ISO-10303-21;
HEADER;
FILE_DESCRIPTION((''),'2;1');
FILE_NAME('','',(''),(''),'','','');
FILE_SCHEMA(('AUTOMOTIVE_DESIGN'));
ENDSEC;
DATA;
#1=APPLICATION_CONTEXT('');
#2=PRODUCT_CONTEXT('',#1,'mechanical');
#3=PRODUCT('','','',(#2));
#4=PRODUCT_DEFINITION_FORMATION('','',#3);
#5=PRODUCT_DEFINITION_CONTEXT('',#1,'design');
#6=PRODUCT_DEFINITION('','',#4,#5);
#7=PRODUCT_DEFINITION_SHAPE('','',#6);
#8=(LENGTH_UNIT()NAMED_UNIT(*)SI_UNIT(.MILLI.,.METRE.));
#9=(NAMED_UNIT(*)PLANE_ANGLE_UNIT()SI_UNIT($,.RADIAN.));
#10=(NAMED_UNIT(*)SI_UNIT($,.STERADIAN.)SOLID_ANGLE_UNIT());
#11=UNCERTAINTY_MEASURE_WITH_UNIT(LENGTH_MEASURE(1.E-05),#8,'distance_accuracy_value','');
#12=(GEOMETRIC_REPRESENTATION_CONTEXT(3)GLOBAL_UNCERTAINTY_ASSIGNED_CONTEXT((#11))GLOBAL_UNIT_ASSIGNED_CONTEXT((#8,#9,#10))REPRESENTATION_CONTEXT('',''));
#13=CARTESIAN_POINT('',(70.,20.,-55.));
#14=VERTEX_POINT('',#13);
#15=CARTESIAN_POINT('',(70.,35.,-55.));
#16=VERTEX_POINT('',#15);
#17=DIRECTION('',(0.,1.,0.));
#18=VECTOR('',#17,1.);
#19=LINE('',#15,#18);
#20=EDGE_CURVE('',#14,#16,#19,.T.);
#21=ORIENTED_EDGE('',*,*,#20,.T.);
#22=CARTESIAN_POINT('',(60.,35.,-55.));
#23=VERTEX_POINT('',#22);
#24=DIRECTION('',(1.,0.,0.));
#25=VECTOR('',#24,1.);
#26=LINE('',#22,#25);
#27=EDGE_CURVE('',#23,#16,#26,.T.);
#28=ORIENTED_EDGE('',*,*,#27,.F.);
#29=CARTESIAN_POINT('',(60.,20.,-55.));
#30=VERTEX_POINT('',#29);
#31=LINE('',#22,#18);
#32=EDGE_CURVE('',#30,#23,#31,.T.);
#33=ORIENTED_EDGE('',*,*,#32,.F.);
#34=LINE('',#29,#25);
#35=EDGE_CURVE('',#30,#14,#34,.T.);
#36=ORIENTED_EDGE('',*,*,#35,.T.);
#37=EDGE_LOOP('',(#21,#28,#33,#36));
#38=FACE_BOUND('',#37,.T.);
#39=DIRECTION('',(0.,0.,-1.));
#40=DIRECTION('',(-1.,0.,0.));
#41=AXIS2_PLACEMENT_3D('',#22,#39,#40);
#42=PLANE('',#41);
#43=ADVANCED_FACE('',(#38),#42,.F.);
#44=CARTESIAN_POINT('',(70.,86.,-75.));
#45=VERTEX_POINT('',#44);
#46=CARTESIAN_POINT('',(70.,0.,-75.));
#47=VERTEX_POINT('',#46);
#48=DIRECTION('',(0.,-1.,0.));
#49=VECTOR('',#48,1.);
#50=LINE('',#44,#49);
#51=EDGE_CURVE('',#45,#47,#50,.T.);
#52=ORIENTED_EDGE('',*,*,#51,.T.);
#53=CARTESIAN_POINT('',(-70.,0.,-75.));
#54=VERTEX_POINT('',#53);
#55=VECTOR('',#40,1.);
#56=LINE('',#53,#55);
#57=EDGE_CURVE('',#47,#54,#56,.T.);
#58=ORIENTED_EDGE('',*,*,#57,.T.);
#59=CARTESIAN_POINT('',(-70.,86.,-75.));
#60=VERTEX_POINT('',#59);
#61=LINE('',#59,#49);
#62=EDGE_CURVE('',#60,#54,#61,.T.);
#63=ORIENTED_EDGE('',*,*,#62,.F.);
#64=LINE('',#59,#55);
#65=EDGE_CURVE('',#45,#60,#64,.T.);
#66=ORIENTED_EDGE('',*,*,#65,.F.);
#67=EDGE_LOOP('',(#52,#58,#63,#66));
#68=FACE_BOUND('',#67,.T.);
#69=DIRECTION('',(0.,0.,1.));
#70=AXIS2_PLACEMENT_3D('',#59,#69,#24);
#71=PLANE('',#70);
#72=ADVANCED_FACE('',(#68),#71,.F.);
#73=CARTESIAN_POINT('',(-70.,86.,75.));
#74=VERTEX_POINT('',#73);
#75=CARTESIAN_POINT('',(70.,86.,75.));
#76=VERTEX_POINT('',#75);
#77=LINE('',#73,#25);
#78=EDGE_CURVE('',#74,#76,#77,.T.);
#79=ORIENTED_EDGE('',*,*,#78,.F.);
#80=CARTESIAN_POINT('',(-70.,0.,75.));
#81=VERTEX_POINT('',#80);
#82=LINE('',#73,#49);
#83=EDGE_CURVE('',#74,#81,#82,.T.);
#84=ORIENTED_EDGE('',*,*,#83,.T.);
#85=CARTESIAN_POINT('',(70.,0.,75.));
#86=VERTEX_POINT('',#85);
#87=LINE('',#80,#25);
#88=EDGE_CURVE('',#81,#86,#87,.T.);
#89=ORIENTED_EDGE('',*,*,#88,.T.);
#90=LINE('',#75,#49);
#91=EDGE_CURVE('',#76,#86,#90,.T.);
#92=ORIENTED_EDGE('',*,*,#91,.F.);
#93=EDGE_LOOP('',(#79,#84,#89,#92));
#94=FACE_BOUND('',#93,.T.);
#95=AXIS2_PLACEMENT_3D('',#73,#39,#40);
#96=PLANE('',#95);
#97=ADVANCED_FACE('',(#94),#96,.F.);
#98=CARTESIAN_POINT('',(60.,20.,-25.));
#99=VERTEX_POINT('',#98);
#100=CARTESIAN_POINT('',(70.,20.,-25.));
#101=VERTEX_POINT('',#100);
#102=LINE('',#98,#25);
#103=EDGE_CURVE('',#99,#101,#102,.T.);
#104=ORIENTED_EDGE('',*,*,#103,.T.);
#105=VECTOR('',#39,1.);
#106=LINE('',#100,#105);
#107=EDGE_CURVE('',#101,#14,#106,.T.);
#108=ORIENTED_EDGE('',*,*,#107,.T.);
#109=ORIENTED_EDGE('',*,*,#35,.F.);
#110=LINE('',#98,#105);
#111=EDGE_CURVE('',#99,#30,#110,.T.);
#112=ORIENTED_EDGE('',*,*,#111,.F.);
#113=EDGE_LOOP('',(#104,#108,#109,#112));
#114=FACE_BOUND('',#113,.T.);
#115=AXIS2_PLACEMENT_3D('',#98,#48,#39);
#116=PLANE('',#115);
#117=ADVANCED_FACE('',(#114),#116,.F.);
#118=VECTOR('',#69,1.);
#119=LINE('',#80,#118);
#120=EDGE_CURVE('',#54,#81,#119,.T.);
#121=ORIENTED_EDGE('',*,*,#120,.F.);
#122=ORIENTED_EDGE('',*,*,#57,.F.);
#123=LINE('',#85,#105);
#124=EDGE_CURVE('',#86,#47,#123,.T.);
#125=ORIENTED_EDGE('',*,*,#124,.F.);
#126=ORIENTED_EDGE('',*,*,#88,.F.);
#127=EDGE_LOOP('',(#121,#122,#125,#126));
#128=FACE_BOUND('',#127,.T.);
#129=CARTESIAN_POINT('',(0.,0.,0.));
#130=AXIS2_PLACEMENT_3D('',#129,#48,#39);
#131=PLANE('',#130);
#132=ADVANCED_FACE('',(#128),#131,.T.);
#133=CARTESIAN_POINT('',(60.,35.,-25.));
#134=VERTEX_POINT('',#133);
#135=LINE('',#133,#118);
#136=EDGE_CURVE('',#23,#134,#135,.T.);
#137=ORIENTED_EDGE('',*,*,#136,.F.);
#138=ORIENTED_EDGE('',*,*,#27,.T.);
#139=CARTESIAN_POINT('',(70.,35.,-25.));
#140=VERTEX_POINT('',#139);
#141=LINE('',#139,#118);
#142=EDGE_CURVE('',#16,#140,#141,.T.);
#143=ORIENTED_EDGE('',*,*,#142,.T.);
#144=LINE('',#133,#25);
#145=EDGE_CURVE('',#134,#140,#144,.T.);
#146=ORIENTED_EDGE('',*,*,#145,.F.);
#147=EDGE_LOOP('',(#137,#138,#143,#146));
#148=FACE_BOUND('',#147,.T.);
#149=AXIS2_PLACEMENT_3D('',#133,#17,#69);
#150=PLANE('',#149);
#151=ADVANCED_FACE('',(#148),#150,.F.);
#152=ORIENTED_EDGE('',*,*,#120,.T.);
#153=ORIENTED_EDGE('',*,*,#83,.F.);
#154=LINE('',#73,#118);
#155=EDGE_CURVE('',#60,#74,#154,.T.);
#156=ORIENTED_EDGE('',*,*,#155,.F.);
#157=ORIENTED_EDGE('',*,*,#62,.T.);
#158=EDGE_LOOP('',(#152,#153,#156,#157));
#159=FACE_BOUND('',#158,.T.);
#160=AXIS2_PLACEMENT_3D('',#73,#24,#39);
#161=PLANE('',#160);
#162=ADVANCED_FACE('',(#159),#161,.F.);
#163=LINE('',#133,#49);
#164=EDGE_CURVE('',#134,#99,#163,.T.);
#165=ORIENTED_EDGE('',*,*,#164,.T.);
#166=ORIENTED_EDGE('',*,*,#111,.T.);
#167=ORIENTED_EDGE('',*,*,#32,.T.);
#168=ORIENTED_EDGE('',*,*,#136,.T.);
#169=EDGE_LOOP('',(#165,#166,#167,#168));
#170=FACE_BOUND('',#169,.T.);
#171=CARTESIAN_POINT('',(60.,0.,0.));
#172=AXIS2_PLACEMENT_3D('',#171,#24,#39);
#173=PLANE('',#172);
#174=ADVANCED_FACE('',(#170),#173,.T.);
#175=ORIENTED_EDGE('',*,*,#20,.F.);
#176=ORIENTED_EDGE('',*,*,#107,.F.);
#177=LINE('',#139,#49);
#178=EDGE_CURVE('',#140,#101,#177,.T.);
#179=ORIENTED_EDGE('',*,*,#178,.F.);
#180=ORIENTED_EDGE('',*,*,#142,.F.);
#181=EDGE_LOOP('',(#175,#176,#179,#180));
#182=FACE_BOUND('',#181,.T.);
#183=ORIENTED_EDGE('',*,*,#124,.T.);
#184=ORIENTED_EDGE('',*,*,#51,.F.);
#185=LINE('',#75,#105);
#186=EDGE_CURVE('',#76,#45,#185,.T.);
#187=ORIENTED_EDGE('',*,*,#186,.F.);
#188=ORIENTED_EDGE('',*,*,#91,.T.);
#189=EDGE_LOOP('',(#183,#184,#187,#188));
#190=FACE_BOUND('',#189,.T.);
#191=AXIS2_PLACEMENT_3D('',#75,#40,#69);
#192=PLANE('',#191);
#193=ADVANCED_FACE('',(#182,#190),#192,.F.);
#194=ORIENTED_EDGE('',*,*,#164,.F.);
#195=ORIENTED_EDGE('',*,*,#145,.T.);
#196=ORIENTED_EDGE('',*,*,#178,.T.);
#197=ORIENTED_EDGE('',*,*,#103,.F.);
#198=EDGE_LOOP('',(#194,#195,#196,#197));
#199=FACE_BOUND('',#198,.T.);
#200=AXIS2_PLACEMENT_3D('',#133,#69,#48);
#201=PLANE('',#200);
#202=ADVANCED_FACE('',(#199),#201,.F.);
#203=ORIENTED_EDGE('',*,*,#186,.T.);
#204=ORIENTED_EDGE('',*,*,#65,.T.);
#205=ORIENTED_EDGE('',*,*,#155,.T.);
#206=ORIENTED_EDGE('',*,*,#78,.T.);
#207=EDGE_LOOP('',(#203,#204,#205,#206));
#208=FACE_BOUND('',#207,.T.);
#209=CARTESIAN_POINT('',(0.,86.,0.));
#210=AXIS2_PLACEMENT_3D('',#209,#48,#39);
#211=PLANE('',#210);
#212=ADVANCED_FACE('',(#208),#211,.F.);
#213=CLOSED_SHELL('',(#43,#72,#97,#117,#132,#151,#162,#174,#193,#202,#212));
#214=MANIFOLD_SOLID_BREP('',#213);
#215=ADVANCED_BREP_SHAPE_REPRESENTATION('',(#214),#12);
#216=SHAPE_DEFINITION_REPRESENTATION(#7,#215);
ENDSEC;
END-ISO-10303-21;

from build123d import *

# Parameters (mm, degrees)
CROQUIS1_W              = 140
CROQUIS1_H              = 150
SALIENTE_EXTRUIR1_DEPTH = 86
CROQUIS3_W              = 30
CROQUIS3_H              = 15
CORTAR_EXTRUIR1_DEPTH   = 10


with BuildPart() as part:
    # Croquis1 → Saliente-Extruir1 (new body)
    with BuildSketch(Plane(origin=(0, 0, 0), x_dir=(1, 0, 0), z_dir=(0, 1, 0))):
        Rectangle(CROQUIS1_W, CROQUIS1_H)
    extrude(amount=SALIENTE_EXTRUIR1_DEPTH)

    # Croquis3 → Cortar-Extruir1 (cut)
    with BuildSketch(Plane(origin=(70, 0, 0), x_dir=(0, 0, -1), z_dir=(1, 0, 0))):
        with Locations((40, 27.5)):
            Rectangle(CROQUIS3_W, CROQUIS3_H)
    extrude(amount=-CORTAR_EXTRUIR1_DEPTH, mode=Mode.SUBTRACT)


solid = part.part
